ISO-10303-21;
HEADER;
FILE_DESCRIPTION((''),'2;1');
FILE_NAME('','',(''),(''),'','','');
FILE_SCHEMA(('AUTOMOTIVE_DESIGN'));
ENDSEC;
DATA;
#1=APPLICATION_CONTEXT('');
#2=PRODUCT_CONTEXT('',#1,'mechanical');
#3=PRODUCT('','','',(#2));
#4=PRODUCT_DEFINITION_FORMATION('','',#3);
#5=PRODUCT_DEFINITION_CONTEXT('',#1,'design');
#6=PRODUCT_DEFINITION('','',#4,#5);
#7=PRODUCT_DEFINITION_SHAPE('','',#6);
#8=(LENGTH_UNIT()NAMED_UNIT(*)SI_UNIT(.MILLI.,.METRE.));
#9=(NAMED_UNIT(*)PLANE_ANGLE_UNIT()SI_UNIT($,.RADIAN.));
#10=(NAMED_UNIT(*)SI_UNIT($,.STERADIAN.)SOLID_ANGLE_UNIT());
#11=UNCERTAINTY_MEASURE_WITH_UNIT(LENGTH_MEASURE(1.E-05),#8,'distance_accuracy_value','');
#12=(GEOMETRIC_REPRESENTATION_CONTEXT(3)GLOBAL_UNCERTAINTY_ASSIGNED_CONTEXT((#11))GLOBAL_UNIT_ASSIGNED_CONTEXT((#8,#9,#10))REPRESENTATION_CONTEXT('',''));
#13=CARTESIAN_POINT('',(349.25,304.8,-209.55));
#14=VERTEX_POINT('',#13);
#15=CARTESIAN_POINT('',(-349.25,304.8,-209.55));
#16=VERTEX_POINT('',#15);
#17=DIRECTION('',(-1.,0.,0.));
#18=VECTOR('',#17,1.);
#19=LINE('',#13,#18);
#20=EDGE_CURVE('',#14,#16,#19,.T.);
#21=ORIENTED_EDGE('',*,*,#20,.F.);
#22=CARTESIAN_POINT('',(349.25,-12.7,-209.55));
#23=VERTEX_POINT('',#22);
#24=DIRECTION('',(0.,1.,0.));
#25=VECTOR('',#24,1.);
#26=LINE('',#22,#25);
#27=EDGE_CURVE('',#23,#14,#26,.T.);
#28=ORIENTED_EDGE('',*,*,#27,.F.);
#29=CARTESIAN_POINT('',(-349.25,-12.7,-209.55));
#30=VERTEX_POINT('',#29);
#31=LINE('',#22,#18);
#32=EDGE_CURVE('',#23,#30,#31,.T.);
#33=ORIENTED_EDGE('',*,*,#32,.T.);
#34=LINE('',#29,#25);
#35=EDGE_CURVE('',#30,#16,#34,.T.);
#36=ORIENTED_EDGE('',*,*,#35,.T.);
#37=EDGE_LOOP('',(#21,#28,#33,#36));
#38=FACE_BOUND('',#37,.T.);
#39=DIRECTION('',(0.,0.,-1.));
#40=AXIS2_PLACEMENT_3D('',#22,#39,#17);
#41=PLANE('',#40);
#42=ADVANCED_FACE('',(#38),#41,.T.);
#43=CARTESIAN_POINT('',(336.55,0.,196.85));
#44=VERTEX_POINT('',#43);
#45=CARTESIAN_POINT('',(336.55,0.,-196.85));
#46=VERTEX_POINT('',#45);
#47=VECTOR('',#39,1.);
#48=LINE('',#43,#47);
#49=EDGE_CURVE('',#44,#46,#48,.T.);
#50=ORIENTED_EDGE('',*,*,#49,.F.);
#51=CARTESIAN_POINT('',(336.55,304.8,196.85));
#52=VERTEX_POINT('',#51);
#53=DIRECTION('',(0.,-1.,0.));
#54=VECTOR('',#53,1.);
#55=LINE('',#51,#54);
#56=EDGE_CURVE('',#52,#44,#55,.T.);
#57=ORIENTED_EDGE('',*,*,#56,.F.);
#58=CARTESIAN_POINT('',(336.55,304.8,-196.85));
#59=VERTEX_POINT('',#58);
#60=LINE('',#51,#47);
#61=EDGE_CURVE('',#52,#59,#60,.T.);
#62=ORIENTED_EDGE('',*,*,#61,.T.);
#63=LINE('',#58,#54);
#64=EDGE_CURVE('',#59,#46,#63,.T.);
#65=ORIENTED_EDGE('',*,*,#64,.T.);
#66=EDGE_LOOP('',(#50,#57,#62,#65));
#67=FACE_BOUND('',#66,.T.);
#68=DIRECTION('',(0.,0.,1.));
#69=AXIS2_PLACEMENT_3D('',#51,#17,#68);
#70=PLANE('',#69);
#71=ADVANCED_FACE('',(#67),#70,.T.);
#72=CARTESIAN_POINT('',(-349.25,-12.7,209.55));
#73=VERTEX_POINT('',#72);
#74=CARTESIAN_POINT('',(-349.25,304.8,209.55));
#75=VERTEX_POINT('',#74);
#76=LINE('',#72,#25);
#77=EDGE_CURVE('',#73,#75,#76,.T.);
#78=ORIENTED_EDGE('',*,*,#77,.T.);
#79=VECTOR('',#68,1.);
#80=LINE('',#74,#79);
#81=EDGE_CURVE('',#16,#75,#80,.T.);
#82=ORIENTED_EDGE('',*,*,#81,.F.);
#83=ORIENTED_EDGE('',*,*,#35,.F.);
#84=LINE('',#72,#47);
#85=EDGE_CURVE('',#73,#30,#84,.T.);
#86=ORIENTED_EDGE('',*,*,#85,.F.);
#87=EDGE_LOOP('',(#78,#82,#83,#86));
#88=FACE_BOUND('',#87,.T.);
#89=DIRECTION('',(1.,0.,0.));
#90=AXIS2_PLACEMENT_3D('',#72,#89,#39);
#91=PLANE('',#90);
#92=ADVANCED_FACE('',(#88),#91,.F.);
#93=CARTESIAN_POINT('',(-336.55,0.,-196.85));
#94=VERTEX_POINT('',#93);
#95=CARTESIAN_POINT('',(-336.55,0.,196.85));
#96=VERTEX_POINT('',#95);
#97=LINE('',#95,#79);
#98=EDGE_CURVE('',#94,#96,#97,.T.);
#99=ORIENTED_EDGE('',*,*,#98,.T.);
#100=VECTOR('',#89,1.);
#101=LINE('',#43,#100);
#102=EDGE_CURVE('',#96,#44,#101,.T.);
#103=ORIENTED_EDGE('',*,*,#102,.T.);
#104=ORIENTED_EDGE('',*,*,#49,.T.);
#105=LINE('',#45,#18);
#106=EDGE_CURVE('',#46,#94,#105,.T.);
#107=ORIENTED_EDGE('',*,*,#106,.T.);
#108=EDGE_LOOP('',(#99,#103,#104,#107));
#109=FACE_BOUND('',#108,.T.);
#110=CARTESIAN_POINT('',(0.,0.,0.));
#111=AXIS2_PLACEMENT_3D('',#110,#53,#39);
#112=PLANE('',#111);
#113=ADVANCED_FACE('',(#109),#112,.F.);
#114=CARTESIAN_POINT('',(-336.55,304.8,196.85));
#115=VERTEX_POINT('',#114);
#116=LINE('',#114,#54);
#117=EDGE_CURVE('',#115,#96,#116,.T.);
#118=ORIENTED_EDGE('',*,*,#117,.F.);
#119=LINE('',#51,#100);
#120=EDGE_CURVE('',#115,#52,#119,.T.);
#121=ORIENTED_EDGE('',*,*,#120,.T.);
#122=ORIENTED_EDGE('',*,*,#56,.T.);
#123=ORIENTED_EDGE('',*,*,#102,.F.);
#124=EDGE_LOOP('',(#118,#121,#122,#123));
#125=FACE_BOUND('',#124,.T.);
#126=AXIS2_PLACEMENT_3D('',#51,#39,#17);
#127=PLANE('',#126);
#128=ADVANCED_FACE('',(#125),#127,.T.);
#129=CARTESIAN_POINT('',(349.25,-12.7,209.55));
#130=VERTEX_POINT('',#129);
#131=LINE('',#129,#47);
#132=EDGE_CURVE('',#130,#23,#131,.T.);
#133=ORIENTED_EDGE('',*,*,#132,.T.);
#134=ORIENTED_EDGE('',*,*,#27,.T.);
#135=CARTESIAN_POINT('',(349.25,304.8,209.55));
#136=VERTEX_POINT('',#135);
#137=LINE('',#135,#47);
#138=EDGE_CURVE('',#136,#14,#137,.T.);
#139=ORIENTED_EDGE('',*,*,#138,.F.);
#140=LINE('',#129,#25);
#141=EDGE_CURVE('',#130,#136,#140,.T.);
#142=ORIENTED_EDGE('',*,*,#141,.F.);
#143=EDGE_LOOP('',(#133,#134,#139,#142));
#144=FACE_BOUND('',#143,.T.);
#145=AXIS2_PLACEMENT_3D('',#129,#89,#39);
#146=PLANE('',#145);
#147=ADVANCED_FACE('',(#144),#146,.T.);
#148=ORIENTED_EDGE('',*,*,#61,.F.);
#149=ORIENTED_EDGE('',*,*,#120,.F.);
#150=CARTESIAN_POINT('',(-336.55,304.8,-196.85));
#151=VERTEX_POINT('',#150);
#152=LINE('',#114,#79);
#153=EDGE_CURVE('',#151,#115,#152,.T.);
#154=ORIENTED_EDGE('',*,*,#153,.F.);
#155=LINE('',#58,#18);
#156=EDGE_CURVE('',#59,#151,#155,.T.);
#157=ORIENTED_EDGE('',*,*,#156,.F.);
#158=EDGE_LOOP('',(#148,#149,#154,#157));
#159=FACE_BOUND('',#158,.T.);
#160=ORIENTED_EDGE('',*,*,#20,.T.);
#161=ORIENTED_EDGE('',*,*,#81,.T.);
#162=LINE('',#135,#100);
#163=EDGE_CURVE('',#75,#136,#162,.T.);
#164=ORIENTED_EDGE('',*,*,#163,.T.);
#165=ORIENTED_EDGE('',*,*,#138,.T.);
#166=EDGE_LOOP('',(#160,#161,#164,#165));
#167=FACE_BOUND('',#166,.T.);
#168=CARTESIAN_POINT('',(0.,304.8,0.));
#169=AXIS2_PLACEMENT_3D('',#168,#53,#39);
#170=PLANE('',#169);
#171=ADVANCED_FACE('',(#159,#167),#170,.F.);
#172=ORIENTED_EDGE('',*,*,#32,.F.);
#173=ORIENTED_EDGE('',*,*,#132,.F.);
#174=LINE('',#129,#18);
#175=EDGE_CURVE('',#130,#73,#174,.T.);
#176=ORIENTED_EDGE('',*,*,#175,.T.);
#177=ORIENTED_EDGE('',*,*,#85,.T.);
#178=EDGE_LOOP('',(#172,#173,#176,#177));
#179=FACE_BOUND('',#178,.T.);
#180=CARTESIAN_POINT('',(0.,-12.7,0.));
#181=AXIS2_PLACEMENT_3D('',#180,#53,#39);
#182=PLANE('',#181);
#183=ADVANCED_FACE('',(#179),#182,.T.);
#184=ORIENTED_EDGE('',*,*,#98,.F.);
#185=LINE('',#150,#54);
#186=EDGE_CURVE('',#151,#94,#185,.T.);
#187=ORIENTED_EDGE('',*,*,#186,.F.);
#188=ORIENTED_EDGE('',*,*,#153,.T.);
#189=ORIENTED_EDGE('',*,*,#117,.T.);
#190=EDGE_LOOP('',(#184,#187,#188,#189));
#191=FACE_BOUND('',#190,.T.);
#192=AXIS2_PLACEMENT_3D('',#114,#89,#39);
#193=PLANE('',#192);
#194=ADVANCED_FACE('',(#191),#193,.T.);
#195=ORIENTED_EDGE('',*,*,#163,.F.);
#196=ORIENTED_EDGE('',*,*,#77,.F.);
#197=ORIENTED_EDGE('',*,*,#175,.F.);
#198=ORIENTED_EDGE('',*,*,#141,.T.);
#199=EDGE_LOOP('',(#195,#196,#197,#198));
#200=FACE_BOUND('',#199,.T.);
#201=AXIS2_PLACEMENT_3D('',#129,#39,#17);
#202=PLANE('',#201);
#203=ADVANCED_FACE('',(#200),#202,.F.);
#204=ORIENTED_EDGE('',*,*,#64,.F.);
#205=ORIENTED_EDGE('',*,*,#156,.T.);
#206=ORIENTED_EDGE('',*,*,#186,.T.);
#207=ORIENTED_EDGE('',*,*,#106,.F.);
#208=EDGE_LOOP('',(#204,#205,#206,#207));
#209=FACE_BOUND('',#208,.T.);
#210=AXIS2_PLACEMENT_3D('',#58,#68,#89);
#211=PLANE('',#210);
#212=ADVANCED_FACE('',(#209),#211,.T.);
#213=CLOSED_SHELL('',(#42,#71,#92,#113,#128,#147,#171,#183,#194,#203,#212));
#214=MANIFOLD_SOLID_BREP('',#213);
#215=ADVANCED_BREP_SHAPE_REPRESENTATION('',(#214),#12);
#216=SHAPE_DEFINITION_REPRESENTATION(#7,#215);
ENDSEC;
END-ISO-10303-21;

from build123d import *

# Parameters (mm, degrees)
SKETCH1_W           = 698.5
SKETCH1_H           = 419.1
BOSS_EXTRUDE1_DEPTH = 12.7
SKETCH1_3_W         = 698.5
SKETCH1_3_H         = 419.1
SKETCH1_3_W_2       = 673.1
SKETCH1_3_H_2       = 393.7
BOSS_EXTRUDE2_DEPTH = 304.8


with BuildPart() as part:
    # Sketch1 → Boss-Extrude1 (new body)
    with BuildSketch(Plane(origin=(0, 0, 0), x_dir=(1, 0, 0), z_dir=(0, 1, 0))):
        Rectangle(SKETCH1_W, SKETCH1_H)
    extrude(amount=-BOSS_EXTRUDE1_DEPTH)

    # Sketch1<3> → Boss-Extrude2 (add)
    with BuildSketch(Plane(origin=(0, 0, 0), x_dir=(1, 0, 0), z_dir=(0, 1, 0))):
        Rectangle(SKETCH1_3_W, SKETCH1_3_H)
        Rectangle(SKETCH1_3_W_2, SKETCH1_3_H_2, mode=Mode.SUBTRACT)
    extrude(amount=BOSS_EXTRUDE2_DEPTH)


solid = part.part
